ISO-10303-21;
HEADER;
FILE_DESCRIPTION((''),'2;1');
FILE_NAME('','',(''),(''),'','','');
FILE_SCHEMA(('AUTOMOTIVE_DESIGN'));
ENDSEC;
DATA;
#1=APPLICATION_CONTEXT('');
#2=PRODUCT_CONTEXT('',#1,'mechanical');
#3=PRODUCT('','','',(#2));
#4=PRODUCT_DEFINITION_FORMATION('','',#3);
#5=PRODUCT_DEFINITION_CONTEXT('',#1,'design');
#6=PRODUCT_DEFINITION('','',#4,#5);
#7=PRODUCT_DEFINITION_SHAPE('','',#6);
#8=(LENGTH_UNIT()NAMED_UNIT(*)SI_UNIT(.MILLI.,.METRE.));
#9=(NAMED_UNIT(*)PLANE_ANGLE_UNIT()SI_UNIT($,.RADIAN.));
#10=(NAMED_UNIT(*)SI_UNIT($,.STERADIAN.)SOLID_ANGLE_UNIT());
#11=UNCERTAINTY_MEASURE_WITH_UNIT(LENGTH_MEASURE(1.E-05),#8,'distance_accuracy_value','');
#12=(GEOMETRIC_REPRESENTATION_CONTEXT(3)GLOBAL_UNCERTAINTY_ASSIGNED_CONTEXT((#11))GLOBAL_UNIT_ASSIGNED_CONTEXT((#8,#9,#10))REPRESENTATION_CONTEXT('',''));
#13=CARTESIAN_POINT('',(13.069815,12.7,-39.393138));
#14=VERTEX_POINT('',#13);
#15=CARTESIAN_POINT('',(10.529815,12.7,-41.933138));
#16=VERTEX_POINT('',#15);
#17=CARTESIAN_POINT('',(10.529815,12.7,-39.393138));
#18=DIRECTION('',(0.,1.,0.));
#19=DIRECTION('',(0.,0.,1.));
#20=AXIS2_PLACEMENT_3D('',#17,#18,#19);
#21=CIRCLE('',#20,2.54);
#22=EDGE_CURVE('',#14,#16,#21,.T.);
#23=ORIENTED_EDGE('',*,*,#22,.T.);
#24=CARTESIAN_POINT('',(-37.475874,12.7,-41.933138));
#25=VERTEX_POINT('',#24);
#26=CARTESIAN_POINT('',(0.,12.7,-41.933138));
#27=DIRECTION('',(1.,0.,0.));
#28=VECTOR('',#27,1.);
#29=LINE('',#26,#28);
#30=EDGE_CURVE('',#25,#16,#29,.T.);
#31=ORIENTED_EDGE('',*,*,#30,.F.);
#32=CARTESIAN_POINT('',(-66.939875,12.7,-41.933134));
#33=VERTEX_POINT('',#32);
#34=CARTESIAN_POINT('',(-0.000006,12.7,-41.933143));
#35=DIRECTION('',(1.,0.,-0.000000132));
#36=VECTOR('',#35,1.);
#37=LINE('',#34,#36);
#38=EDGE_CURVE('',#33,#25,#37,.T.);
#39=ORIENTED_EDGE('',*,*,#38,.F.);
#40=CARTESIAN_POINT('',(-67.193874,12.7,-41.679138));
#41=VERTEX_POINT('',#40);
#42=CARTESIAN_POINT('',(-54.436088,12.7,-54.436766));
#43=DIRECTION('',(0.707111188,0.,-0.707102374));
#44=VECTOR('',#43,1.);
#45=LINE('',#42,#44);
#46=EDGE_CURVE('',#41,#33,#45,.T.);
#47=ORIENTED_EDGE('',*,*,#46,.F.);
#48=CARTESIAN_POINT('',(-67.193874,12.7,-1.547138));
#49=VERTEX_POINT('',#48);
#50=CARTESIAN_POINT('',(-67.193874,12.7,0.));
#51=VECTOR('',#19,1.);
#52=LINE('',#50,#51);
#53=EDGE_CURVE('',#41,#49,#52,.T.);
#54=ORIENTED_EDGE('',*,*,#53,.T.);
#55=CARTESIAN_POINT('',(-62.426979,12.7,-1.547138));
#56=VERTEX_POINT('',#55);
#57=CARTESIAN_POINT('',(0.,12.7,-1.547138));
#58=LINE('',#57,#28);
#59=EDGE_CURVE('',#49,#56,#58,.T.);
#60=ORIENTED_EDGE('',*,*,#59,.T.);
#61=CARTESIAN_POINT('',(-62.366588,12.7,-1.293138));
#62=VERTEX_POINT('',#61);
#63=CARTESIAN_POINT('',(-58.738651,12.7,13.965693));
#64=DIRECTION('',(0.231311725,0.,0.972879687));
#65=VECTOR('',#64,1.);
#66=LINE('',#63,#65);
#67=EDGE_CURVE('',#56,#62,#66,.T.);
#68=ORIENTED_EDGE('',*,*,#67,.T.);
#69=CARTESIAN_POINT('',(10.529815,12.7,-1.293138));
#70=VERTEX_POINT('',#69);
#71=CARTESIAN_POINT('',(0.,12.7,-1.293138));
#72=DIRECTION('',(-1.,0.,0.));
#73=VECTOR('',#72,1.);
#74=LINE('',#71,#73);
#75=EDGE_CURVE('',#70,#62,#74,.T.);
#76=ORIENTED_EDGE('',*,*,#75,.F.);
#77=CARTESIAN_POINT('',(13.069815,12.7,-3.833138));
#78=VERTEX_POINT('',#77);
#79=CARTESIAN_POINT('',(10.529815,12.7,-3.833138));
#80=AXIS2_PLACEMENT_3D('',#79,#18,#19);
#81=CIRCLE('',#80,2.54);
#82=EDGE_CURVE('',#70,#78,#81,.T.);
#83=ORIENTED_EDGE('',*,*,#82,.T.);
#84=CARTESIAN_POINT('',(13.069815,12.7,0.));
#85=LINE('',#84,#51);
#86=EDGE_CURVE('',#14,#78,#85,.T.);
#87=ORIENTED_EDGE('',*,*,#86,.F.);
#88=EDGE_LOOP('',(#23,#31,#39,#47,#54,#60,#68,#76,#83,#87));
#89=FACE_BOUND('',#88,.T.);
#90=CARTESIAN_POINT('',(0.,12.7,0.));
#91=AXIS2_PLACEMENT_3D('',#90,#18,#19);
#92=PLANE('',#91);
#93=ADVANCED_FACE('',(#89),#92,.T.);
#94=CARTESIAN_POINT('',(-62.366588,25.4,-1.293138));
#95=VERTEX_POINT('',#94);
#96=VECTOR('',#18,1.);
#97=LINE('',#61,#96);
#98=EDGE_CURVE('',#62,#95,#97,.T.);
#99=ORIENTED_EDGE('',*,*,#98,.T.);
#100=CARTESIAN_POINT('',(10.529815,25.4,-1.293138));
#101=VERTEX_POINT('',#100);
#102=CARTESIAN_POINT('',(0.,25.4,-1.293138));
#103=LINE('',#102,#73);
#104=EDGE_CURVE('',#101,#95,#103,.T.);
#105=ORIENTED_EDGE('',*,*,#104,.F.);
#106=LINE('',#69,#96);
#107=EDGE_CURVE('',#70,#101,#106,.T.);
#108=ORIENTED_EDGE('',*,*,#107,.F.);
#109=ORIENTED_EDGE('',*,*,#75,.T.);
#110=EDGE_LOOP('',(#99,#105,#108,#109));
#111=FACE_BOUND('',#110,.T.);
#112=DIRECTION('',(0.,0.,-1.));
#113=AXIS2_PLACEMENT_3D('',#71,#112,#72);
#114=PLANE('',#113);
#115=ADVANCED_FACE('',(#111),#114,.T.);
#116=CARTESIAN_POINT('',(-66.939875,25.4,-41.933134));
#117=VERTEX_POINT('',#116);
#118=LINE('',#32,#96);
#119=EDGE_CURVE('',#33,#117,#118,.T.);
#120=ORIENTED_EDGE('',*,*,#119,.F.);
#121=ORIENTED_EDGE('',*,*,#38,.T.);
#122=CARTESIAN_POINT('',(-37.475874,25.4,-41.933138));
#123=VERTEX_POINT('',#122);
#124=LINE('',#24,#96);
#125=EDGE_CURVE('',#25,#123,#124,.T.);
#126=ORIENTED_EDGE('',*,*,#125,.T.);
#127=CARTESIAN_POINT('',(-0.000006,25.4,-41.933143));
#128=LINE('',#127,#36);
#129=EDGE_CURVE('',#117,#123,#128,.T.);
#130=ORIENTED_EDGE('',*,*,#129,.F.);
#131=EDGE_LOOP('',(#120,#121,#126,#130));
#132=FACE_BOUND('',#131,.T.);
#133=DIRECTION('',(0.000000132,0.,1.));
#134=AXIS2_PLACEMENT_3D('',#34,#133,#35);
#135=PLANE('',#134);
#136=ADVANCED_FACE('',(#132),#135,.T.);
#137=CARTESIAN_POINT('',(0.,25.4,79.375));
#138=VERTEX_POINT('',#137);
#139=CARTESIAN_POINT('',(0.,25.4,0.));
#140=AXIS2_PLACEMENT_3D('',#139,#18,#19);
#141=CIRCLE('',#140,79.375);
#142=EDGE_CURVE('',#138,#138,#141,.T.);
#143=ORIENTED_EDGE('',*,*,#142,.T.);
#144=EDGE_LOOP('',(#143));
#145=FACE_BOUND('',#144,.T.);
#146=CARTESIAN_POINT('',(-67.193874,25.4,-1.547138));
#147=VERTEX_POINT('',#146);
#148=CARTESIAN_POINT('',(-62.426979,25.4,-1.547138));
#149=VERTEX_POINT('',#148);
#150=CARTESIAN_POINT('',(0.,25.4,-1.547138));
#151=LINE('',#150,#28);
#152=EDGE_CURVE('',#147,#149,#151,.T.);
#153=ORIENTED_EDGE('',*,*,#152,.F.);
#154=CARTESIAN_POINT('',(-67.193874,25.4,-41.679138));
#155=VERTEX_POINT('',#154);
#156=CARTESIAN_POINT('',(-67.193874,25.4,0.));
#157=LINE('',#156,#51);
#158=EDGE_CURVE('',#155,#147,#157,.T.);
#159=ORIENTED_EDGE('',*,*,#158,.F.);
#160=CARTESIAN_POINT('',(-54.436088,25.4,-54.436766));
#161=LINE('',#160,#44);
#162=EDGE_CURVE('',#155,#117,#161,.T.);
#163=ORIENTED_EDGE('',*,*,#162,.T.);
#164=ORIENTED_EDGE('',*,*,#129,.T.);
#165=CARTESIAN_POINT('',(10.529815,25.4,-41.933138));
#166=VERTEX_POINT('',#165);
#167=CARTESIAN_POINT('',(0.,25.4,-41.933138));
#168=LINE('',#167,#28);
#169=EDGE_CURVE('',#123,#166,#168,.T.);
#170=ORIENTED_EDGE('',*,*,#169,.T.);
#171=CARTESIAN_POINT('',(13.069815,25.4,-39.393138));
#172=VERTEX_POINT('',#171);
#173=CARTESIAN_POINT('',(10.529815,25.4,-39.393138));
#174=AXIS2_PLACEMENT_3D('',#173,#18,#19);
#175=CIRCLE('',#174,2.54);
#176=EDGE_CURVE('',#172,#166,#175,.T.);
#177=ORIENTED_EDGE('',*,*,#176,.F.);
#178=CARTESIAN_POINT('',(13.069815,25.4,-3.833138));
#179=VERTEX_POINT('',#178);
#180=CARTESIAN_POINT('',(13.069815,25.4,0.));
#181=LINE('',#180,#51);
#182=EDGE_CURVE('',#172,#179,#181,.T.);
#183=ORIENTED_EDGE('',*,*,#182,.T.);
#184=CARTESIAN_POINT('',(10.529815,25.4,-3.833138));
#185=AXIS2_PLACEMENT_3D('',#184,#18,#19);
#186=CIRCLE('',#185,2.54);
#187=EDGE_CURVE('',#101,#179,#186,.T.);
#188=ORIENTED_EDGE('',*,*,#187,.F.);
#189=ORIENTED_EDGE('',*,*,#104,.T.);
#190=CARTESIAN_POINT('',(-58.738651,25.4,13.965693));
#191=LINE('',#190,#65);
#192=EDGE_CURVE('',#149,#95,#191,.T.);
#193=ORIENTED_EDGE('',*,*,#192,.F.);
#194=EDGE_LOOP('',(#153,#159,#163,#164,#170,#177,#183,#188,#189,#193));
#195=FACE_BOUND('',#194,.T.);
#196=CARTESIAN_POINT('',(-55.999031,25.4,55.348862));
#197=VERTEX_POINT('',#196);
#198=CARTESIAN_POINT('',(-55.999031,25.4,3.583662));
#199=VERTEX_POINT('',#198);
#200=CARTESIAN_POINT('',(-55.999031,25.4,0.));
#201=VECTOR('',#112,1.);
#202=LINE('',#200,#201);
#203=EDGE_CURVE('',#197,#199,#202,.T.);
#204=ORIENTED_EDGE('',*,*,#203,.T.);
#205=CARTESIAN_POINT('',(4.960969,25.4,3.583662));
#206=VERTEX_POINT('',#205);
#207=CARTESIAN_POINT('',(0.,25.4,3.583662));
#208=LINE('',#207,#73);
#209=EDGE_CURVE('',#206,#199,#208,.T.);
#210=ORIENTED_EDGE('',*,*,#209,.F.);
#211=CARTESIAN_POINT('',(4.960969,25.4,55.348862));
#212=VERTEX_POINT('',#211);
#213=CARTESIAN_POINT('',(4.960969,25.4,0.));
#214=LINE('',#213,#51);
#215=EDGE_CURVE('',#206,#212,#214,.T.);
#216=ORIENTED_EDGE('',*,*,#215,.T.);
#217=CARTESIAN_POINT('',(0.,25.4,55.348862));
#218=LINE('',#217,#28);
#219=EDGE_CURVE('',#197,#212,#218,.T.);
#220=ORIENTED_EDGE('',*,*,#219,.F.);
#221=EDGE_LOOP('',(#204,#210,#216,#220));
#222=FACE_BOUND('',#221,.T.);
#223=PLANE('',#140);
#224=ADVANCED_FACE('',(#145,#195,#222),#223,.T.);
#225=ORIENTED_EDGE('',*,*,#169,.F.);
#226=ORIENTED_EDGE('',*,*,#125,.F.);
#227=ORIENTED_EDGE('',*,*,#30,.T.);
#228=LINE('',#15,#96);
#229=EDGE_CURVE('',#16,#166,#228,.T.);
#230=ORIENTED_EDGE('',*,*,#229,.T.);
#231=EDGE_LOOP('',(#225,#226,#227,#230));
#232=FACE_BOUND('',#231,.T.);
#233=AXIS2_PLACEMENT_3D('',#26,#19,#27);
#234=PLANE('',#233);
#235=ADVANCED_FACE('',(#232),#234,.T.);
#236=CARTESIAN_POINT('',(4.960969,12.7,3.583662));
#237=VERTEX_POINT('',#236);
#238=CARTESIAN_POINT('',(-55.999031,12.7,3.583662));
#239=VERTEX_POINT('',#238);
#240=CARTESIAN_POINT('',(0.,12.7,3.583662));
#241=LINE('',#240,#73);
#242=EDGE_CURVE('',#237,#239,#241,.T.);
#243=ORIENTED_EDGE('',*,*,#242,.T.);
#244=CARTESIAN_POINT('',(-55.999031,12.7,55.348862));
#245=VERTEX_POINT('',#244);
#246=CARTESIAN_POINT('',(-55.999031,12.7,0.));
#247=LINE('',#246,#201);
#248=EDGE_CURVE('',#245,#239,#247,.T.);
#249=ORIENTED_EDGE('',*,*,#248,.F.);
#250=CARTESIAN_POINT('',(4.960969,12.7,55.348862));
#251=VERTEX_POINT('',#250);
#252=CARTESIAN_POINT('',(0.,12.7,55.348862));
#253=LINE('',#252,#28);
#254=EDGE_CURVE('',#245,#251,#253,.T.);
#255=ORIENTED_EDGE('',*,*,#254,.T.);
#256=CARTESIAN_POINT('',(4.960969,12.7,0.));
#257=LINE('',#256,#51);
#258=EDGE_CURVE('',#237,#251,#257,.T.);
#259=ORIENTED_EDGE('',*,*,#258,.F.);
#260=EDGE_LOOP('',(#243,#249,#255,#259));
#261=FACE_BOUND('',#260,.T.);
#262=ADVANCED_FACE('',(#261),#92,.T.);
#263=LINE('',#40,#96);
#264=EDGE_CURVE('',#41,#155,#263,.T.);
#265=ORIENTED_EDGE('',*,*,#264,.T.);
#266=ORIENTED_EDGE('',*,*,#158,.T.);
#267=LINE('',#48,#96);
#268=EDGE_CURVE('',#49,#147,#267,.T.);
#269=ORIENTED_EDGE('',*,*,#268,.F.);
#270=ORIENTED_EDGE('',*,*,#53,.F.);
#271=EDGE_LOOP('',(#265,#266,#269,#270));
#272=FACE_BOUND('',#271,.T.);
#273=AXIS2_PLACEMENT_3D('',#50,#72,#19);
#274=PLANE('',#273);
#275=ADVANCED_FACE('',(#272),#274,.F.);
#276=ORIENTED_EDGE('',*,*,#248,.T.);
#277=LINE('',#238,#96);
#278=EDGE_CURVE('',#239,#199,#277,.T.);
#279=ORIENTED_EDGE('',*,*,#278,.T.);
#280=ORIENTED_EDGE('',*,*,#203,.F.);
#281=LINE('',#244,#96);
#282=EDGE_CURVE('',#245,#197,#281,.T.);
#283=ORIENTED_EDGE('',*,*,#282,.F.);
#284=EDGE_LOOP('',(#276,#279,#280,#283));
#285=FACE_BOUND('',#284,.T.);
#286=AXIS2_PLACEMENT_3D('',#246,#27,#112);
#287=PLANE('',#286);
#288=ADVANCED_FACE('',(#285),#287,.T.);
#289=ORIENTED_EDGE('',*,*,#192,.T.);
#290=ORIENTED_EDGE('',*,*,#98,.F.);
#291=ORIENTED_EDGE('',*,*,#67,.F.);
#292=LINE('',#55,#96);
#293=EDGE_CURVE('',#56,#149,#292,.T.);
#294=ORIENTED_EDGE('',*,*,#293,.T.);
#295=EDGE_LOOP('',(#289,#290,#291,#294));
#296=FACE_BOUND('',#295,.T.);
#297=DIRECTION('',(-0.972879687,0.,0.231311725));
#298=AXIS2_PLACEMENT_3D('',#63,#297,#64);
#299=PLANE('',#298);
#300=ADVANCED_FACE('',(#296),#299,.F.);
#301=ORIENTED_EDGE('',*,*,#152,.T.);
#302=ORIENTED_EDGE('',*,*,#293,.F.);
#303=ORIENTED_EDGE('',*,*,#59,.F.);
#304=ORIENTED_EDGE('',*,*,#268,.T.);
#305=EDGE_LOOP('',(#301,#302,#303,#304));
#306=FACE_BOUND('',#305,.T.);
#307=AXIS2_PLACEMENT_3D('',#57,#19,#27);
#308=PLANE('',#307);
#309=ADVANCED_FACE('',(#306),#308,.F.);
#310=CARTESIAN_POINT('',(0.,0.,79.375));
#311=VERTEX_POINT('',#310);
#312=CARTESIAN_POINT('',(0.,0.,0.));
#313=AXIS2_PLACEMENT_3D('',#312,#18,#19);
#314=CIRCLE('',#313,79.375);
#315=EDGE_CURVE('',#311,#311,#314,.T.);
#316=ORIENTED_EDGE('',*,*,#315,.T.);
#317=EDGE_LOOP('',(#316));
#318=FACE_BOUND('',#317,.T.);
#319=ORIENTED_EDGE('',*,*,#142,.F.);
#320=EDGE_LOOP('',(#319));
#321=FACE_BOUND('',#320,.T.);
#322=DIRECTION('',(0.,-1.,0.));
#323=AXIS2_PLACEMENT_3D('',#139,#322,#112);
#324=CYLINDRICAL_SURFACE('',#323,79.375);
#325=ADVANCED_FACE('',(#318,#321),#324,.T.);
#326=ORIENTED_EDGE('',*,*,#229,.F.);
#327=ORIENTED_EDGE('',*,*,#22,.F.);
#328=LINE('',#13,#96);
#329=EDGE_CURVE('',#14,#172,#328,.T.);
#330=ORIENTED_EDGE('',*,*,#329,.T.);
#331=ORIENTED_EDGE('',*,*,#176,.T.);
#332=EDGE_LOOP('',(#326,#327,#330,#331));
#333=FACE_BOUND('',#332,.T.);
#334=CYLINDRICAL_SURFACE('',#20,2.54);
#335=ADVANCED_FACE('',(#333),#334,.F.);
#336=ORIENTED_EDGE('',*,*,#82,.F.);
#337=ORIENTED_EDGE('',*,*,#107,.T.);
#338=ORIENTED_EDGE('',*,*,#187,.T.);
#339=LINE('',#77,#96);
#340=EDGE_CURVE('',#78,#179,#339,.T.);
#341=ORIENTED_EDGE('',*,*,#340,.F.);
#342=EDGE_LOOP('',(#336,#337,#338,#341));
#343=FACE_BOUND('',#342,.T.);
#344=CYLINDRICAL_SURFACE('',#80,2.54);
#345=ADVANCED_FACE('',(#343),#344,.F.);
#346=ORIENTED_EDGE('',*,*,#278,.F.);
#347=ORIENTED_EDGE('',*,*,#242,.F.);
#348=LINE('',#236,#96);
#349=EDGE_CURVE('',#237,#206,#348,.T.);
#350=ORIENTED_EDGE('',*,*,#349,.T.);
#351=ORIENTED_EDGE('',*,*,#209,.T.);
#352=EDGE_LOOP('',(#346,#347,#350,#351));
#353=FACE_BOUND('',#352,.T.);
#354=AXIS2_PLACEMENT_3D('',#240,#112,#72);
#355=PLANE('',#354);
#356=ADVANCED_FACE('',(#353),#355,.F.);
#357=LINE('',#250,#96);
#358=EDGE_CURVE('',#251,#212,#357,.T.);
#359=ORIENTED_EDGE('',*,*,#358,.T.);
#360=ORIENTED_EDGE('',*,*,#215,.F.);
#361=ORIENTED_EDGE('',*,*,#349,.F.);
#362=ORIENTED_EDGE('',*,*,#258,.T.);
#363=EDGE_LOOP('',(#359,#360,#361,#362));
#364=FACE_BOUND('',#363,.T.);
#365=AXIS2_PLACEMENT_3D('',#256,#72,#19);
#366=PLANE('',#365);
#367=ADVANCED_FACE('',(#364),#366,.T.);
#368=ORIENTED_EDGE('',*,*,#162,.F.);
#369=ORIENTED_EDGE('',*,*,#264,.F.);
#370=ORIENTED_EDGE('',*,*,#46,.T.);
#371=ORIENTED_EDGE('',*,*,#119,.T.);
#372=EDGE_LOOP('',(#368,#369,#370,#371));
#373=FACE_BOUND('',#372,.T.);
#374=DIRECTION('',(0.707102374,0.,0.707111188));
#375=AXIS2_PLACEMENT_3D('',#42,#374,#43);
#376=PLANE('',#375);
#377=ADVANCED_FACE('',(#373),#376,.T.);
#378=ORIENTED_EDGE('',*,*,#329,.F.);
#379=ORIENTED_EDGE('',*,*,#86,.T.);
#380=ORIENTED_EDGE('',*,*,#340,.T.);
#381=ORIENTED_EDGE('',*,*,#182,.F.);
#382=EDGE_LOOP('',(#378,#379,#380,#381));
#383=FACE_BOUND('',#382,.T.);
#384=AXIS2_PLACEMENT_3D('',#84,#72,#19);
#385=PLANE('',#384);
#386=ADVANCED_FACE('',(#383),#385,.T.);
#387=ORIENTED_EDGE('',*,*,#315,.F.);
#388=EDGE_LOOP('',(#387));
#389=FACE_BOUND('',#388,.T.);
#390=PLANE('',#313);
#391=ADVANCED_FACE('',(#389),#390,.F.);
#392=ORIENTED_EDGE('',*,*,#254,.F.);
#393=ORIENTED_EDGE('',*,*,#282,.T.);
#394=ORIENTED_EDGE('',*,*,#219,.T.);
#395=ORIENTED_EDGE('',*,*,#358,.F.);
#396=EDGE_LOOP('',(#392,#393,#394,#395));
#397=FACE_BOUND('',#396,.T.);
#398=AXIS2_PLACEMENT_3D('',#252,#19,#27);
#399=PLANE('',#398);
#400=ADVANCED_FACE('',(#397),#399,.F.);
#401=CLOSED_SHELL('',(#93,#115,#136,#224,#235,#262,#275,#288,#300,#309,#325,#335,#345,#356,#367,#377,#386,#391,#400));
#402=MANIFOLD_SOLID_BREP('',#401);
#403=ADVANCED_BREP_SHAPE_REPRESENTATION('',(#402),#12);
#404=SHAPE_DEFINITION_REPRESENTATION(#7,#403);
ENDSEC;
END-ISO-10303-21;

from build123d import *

# Parameters (mm, degrees)
SKETCH1_R           = 79.375
BOSS_EXTRUDE1_DEPTH = 25.4
CUT_EXTRUDE1_DEPTH  = 12.7


with BuildPart() as part:
    # Sketch1 → Boss-Extrude1 (new body)
    with BuildSketch(Plane(origin=(0, 0, 0), x_dir=(1, 0, 0), z_dir=(0, 1, 0))):
        with Locations(Location((0, 0, 0), (0, 0, 270))):
            Circle(SKETCH1_R)
    extrude(amount=BOSS_EXTRUDE1_DEPTH)

    # Sketch2 → Cut-Extrude1 (cut)
    with BuildSketch(Plane(origin=(0, 25.4, 0), x_dir=(1, 0, 0), z_dir=(0, 1, 0))):
        Polygon((4.96096917, -3.583661606), (4.96096917, -7.48907527), (4.96096917, -8.37807527), (4.96096917, -50.554447942), (4.96096917, -51.443447942), (4.96096917, -55.348861606), (-55.99903083, -55.348861606), (-55.99903083, -51.443447942), (-55.99903083, -50.554447942), (-55.99903083, -8.37807527), (-55.99903083, -7.48907527), (-55.99903083, -3.583661606), align=None)
        with BuildLine():
            Line((13.069814764, 39.393138394), (13.069814764, 3.833138394))
            ThreePointArc((13.069814764, 3.833138394), (12.325865988, 2.03708717), (10.529814764, 1.293138394))
            Line((10.529814764, 1.293138394), (-37.221874349, 1.293138394))
            Line((-37.221874349, 1.293138394), (-37.475874266, 1.293138394))
            Line((-37.475874266, 1.293138394), (-62.366588392, 1.293138394))
            Line((-62.366588392, 1.293138394), (-62.426979393, 1.547138394))
            Line((-62.426979393, 1.547138394), (-67.193874266, 1.547138394))
            Line((-67.193874266, 1.547138394), (-67.193874266, 16.202925843))
            Line((-67.193874266, 16.202925843), (-67.193874266, 27.023351013))
            Line((-67.193874266, 27.023351013), (-67.193874266, 41.679138428))
            Line((-67.193874266, 41.679138428), (-66.939875034, 41.933134494))
            Line((-66.939875034, 41.933134494), (-62.366588392, 41.9331351))
            Line((-62.366588392, 41.9331351), (-37.475874266, 41.933138394))
            Line((-37.475874266, 41.933138394), (-37.221874349, 41.933138394))
            Line((-37.221874349, 41.933138394), (10.529814764, 41.933138394))
            ThreePointArc((10.529814764, 41.933138394), (12.325865988, 41.189189618), (13.069814764, 39.393138394))
        make_face()
    extrude(amount=-CUT_EXTRUDE1_DEPTH, mode=Mode.SUBTRACT)


solid = part.part
